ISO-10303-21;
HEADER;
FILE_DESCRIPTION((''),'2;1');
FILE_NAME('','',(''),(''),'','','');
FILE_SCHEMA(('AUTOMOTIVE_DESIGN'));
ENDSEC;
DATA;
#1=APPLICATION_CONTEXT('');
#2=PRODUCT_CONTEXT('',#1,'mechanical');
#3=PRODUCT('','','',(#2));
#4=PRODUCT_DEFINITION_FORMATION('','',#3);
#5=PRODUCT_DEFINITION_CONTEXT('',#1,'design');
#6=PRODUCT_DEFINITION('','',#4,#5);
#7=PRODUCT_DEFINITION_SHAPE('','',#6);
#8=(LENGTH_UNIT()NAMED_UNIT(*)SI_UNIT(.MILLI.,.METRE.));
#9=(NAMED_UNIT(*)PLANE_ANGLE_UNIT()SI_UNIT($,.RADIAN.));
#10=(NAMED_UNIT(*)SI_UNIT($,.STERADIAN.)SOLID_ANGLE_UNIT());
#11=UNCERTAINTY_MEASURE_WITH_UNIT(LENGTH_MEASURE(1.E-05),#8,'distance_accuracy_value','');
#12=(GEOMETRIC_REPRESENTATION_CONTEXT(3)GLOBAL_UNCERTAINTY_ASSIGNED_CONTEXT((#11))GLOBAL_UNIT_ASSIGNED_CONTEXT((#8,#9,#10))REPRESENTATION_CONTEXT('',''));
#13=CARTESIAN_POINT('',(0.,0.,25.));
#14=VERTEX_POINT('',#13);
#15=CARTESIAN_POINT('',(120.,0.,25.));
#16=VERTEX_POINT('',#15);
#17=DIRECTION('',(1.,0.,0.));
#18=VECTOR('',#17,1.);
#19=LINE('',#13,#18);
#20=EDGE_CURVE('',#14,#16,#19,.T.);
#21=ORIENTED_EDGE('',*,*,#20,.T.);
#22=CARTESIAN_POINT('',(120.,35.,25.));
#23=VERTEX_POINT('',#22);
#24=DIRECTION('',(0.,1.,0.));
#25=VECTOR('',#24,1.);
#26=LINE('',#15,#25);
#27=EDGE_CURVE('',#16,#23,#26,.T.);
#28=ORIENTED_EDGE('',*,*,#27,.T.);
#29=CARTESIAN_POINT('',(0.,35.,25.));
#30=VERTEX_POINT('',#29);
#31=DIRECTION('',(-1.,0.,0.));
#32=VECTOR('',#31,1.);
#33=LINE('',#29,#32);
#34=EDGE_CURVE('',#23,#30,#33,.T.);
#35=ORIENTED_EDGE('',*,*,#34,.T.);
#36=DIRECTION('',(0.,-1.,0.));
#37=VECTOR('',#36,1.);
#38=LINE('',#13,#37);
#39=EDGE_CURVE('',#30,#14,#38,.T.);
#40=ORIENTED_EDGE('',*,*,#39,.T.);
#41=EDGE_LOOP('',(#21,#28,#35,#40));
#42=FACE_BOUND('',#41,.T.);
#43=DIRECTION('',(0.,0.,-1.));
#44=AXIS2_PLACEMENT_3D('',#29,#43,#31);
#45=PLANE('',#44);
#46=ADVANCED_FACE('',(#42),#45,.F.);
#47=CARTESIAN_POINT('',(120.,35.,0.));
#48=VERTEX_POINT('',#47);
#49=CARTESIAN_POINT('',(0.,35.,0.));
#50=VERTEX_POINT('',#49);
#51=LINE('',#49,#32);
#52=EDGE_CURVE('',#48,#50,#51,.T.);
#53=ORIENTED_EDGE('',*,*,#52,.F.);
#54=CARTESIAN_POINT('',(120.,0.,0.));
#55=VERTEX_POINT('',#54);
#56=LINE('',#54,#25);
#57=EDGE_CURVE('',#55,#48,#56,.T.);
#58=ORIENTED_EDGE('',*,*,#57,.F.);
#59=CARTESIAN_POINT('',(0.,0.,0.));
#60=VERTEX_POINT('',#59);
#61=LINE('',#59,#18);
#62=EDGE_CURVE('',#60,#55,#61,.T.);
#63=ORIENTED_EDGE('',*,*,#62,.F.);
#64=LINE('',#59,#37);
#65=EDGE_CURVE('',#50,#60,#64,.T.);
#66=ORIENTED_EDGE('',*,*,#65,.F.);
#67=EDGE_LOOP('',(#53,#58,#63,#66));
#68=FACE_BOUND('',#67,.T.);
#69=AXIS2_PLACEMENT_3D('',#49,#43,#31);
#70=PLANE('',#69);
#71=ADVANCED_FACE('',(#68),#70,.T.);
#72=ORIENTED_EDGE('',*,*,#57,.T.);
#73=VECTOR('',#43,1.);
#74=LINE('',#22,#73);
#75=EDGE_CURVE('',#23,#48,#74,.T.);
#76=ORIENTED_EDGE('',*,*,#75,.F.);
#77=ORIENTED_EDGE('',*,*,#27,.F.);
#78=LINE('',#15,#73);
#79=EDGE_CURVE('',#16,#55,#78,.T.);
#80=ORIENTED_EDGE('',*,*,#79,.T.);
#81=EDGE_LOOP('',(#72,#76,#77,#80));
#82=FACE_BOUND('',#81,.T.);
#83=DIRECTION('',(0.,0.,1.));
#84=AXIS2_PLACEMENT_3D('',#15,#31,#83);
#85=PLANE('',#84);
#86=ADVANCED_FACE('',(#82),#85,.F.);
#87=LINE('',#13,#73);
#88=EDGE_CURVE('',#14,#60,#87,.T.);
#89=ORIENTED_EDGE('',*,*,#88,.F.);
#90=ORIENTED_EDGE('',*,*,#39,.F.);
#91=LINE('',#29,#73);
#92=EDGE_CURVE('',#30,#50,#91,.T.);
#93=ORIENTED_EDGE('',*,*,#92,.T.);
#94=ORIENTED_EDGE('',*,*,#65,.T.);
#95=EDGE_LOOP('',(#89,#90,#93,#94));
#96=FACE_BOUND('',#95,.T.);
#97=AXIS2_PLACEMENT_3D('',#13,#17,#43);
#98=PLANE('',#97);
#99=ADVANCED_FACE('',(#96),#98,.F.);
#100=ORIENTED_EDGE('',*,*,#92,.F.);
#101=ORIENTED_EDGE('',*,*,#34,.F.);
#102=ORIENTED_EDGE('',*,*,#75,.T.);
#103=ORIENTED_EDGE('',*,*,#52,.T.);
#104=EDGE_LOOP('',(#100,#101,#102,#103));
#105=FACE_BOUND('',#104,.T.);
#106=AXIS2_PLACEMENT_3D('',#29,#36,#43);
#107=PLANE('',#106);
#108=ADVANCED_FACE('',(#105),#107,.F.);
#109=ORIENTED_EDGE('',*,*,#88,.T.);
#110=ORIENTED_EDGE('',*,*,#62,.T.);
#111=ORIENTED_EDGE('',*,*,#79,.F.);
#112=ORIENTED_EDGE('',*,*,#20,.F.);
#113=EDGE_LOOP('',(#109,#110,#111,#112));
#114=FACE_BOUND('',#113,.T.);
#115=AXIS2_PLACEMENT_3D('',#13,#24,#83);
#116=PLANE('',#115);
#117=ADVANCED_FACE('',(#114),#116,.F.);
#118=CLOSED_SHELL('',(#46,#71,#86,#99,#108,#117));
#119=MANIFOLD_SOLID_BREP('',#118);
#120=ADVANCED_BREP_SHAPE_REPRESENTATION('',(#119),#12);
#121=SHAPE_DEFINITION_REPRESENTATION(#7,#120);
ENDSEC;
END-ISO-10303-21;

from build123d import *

# Parameters (mm, degrees)
SKETCH1_W           = 120
SKETCH1_H           = 35
BOSS_EXTRUDE1_DEPTH = 25


with BuildPart() as part:
    # Sketch1 → Boss-Extrude1 (new body)
    with BuildSketch(Plane.XY):
        with Locations((60, 17.5)):
            Rectangle(SKETCH1_W, SKETCH1_H)
    extrude(amount=BOSS_EXTRUDE1_DEPTH)


solid = part.part
